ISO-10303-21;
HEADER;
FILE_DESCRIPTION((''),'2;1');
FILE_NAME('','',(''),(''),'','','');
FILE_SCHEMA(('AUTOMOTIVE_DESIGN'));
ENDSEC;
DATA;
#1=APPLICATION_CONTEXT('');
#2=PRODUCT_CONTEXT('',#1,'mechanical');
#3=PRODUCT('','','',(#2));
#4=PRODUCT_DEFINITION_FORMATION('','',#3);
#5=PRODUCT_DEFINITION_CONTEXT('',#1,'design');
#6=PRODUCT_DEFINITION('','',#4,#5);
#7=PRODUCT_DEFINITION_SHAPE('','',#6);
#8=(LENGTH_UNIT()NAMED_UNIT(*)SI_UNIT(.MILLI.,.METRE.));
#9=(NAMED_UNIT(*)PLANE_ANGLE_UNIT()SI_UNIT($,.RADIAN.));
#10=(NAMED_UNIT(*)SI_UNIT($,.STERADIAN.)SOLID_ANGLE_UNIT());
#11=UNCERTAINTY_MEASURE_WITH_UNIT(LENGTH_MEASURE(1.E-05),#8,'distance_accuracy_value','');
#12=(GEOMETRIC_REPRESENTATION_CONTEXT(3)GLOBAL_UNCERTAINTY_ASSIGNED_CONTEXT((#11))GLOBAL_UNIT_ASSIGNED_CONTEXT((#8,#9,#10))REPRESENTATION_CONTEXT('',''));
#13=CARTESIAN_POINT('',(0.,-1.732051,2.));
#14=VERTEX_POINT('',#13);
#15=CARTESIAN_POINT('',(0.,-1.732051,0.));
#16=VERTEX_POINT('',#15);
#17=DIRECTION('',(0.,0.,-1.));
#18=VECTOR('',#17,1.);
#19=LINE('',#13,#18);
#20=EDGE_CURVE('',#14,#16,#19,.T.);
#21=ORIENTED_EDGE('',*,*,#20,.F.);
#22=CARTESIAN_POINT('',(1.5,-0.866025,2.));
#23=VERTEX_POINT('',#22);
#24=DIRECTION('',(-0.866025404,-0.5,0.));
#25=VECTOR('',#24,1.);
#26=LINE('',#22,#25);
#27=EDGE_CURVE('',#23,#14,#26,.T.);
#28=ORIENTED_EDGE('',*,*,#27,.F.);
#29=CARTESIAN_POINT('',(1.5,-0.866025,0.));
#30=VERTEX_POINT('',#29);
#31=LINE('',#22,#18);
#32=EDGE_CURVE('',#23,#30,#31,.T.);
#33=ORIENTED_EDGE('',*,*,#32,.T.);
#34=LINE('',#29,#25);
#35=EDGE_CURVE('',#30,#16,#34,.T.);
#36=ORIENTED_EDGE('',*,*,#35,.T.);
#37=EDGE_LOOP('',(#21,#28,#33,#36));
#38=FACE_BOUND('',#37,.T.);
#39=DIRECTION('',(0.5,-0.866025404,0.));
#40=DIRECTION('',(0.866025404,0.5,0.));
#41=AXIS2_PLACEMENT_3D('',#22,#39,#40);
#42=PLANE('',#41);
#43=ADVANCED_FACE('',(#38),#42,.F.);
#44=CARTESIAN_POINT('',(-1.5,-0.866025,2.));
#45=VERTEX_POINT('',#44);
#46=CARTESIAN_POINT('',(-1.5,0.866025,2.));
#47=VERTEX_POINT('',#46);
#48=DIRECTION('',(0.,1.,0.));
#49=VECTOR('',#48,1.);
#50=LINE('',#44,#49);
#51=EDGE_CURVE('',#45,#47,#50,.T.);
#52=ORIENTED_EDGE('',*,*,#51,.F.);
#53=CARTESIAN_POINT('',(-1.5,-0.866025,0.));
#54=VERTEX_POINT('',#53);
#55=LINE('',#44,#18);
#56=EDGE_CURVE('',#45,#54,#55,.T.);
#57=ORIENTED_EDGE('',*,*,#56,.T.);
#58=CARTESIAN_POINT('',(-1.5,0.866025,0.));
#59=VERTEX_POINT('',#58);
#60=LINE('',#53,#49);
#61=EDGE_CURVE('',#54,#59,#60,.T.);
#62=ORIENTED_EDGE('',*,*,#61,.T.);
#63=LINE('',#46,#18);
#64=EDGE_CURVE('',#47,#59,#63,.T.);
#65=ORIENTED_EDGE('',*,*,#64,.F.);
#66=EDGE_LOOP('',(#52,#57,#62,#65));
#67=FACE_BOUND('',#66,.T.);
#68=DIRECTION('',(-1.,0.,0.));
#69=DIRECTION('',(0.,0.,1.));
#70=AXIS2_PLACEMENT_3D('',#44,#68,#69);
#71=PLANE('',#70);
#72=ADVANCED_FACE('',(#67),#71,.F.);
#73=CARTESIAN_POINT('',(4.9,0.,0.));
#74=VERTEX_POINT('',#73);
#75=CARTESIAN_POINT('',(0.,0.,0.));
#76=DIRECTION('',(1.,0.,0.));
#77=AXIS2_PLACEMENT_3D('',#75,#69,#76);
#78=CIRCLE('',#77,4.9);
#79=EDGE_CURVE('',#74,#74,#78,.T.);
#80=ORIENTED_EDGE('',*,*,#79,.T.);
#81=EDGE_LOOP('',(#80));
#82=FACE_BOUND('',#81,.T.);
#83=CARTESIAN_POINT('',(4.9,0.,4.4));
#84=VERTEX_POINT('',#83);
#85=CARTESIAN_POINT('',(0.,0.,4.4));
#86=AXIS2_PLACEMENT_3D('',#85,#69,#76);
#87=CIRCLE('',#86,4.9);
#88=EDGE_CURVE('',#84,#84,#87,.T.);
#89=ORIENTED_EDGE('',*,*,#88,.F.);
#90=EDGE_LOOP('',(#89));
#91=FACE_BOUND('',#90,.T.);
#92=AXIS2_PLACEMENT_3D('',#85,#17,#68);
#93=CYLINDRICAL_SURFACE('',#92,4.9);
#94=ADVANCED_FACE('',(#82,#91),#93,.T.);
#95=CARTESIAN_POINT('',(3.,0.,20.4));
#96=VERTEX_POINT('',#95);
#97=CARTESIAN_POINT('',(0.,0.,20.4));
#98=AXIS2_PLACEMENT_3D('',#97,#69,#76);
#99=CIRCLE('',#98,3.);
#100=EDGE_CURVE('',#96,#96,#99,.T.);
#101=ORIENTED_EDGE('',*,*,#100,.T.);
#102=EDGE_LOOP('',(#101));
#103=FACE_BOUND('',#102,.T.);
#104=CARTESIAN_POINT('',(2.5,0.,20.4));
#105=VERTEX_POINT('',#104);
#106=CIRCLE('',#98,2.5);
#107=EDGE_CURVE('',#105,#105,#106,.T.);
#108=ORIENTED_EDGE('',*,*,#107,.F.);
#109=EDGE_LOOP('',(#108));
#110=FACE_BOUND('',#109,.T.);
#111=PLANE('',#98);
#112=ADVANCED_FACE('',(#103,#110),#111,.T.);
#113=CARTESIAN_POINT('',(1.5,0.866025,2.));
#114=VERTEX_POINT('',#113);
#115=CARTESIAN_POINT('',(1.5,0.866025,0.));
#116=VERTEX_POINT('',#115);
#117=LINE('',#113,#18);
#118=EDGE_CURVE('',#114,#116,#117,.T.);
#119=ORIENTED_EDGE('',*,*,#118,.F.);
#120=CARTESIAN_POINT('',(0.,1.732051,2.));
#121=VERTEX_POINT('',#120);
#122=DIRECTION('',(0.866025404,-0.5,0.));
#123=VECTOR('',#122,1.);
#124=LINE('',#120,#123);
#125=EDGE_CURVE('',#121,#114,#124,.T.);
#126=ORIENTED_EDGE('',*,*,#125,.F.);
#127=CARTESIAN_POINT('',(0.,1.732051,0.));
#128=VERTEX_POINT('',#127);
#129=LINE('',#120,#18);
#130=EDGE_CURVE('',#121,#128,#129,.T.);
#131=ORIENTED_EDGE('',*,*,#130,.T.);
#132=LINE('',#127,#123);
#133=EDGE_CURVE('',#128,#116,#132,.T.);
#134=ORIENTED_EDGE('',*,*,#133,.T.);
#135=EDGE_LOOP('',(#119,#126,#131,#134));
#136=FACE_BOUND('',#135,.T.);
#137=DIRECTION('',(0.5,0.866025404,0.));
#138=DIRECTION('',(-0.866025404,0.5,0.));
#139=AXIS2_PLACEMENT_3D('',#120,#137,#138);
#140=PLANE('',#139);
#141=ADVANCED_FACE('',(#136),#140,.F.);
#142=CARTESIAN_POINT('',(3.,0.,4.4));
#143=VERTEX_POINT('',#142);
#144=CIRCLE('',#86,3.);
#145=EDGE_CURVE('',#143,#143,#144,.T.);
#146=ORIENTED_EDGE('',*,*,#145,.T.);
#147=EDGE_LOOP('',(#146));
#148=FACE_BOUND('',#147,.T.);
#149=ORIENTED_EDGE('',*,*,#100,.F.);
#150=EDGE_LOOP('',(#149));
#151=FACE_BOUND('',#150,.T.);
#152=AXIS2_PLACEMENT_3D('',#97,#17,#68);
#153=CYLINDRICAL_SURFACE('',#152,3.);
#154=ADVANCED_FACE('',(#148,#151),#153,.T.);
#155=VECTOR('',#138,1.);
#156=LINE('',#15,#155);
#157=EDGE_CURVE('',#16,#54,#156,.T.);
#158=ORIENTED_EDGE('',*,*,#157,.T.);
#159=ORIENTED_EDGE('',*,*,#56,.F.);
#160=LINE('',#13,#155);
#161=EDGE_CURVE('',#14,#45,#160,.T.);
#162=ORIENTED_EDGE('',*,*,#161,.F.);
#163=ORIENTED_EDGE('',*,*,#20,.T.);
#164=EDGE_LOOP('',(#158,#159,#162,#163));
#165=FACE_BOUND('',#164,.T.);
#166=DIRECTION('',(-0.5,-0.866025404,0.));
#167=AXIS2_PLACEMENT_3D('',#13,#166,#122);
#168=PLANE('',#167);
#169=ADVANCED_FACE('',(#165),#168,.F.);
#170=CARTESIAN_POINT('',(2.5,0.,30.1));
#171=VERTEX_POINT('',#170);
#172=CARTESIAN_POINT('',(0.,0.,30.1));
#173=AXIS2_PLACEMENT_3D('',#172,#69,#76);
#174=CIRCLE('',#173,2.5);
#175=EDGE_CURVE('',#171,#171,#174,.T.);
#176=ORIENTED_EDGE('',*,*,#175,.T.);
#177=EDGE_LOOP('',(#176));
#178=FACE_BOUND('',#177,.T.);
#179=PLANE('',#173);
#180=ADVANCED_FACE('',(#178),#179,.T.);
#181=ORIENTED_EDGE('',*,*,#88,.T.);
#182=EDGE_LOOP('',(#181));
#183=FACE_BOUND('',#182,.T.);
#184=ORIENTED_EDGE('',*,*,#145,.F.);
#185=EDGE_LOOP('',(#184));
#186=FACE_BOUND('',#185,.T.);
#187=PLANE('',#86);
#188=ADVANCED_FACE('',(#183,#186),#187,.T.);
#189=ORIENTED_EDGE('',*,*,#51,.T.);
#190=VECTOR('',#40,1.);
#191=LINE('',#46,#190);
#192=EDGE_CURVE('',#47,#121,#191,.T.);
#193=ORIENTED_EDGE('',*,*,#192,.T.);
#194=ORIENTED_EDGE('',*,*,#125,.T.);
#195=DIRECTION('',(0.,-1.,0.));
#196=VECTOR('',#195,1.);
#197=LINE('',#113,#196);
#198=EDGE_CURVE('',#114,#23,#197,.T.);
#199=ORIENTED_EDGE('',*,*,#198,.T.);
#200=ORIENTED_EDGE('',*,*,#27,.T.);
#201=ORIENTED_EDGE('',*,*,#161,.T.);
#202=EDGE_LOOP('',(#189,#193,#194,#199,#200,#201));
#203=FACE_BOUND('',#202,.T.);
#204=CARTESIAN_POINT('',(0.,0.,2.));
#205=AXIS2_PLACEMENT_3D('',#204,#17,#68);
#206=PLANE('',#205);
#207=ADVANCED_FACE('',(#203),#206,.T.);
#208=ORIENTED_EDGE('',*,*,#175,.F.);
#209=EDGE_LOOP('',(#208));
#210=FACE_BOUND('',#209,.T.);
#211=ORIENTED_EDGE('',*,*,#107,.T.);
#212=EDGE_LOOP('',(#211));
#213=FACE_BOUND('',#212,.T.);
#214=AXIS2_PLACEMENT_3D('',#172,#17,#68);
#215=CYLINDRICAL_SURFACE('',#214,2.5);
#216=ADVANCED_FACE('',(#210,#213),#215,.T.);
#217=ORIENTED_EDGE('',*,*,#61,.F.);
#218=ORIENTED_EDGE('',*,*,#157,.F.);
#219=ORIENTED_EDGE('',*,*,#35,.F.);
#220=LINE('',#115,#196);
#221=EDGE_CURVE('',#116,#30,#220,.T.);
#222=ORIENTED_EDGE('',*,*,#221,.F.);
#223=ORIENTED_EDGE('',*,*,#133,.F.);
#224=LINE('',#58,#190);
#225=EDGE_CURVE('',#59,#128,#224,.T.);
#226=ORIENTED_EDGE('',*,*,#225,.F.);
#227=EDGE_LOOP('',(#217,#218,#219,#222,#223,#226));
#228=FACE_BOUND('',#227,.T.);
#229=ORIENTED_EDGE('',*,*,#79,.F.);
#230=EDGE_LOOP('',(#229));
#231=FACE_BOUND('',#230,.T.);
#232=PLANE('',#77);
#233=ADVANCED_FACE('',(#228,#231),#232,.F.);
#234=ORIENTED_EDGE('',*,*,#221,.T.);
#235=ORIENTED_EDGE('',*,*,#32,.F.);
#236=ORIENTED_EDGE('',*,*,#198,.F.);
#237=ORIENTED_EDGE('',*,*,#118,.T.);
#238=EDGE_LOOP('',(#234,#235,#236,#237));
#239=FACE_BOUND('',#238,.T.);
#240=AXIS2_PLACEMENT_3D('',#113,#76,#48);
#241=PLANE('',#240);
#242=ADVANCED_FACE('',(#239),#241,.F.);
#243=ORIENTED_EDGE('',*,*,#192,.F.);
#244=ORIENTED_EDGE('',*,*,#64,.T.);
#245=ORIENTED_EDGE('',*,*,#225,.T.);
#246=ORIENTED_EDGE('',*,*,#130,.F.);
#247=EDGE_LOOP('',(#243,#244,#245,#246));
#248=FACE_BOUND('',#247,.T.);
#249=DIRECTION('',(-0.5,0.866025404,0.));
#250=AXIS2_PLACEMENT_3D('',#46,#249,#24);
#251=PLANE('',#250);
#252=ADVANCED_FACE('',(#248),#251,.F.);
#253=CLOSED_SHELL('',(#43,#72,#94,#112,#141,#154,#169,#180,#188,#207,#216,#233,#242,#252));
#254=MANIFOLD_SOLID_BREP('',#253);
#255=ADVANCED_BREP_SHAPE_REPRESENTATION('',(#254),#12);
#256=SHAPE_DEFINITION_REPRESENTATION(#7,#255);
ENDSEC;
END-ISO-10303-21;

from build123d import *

# Parameters (mm, degrees)
SKETCH_1_R          = 4.9
EXTRUDE_1_DEPTH     = 4.4
SKETCH_2_R          = 3
EXTRUDE_2_DEPTH     = 16
SKETCH_3_R          = 2.5
EXTRUDE_3_DEPTH     = 9.7
CUT_EXTRUDE_1_DEPTH = 2


with BuildPart() as part:
    # 草图1 → 凸台-拉伸1 (new body)
    with BuildSketch(Plane.XY):
        Circle(SKETCH_1_R)
    extrude(amount=EXTRUDE_1_DEPTH)

    # 草图2 → 凸台-拉伸2 (add)
    with BuildSketch(Plane.XY.offset(4.4)):
        Circle(SKETCH_2_R)
    extrude(amount=EXTRUDE_2_DEPTH)

    # 草图3 → 凸台-拉伸3 (add)
    with BuildSketch(Plane.XY.offset(20.4)):
        Circle(SKETCH_3_R)
    extrude(amount=EXTRUDE_3_DEPTH)

    # 草图4 → 切除-拉伸1 (cut)
    with BuildSketch(Plane(origin=(0, 0, 0), x_dir=(-1, 0, 0), z_dir=(0, 0, -1))):
        Polygon((0, 1.732050808), (-1.5, 0.866025404), (-1.5, -0.866025404), (0, -1.732050808), (1.5, -0.866025404), (1.5, 0.866025404), align=None)
    extrude(amount=-CUT_EXTRUDE_1_DEPTH, mode=Mode.SUBTRACT)


solid = part.part
